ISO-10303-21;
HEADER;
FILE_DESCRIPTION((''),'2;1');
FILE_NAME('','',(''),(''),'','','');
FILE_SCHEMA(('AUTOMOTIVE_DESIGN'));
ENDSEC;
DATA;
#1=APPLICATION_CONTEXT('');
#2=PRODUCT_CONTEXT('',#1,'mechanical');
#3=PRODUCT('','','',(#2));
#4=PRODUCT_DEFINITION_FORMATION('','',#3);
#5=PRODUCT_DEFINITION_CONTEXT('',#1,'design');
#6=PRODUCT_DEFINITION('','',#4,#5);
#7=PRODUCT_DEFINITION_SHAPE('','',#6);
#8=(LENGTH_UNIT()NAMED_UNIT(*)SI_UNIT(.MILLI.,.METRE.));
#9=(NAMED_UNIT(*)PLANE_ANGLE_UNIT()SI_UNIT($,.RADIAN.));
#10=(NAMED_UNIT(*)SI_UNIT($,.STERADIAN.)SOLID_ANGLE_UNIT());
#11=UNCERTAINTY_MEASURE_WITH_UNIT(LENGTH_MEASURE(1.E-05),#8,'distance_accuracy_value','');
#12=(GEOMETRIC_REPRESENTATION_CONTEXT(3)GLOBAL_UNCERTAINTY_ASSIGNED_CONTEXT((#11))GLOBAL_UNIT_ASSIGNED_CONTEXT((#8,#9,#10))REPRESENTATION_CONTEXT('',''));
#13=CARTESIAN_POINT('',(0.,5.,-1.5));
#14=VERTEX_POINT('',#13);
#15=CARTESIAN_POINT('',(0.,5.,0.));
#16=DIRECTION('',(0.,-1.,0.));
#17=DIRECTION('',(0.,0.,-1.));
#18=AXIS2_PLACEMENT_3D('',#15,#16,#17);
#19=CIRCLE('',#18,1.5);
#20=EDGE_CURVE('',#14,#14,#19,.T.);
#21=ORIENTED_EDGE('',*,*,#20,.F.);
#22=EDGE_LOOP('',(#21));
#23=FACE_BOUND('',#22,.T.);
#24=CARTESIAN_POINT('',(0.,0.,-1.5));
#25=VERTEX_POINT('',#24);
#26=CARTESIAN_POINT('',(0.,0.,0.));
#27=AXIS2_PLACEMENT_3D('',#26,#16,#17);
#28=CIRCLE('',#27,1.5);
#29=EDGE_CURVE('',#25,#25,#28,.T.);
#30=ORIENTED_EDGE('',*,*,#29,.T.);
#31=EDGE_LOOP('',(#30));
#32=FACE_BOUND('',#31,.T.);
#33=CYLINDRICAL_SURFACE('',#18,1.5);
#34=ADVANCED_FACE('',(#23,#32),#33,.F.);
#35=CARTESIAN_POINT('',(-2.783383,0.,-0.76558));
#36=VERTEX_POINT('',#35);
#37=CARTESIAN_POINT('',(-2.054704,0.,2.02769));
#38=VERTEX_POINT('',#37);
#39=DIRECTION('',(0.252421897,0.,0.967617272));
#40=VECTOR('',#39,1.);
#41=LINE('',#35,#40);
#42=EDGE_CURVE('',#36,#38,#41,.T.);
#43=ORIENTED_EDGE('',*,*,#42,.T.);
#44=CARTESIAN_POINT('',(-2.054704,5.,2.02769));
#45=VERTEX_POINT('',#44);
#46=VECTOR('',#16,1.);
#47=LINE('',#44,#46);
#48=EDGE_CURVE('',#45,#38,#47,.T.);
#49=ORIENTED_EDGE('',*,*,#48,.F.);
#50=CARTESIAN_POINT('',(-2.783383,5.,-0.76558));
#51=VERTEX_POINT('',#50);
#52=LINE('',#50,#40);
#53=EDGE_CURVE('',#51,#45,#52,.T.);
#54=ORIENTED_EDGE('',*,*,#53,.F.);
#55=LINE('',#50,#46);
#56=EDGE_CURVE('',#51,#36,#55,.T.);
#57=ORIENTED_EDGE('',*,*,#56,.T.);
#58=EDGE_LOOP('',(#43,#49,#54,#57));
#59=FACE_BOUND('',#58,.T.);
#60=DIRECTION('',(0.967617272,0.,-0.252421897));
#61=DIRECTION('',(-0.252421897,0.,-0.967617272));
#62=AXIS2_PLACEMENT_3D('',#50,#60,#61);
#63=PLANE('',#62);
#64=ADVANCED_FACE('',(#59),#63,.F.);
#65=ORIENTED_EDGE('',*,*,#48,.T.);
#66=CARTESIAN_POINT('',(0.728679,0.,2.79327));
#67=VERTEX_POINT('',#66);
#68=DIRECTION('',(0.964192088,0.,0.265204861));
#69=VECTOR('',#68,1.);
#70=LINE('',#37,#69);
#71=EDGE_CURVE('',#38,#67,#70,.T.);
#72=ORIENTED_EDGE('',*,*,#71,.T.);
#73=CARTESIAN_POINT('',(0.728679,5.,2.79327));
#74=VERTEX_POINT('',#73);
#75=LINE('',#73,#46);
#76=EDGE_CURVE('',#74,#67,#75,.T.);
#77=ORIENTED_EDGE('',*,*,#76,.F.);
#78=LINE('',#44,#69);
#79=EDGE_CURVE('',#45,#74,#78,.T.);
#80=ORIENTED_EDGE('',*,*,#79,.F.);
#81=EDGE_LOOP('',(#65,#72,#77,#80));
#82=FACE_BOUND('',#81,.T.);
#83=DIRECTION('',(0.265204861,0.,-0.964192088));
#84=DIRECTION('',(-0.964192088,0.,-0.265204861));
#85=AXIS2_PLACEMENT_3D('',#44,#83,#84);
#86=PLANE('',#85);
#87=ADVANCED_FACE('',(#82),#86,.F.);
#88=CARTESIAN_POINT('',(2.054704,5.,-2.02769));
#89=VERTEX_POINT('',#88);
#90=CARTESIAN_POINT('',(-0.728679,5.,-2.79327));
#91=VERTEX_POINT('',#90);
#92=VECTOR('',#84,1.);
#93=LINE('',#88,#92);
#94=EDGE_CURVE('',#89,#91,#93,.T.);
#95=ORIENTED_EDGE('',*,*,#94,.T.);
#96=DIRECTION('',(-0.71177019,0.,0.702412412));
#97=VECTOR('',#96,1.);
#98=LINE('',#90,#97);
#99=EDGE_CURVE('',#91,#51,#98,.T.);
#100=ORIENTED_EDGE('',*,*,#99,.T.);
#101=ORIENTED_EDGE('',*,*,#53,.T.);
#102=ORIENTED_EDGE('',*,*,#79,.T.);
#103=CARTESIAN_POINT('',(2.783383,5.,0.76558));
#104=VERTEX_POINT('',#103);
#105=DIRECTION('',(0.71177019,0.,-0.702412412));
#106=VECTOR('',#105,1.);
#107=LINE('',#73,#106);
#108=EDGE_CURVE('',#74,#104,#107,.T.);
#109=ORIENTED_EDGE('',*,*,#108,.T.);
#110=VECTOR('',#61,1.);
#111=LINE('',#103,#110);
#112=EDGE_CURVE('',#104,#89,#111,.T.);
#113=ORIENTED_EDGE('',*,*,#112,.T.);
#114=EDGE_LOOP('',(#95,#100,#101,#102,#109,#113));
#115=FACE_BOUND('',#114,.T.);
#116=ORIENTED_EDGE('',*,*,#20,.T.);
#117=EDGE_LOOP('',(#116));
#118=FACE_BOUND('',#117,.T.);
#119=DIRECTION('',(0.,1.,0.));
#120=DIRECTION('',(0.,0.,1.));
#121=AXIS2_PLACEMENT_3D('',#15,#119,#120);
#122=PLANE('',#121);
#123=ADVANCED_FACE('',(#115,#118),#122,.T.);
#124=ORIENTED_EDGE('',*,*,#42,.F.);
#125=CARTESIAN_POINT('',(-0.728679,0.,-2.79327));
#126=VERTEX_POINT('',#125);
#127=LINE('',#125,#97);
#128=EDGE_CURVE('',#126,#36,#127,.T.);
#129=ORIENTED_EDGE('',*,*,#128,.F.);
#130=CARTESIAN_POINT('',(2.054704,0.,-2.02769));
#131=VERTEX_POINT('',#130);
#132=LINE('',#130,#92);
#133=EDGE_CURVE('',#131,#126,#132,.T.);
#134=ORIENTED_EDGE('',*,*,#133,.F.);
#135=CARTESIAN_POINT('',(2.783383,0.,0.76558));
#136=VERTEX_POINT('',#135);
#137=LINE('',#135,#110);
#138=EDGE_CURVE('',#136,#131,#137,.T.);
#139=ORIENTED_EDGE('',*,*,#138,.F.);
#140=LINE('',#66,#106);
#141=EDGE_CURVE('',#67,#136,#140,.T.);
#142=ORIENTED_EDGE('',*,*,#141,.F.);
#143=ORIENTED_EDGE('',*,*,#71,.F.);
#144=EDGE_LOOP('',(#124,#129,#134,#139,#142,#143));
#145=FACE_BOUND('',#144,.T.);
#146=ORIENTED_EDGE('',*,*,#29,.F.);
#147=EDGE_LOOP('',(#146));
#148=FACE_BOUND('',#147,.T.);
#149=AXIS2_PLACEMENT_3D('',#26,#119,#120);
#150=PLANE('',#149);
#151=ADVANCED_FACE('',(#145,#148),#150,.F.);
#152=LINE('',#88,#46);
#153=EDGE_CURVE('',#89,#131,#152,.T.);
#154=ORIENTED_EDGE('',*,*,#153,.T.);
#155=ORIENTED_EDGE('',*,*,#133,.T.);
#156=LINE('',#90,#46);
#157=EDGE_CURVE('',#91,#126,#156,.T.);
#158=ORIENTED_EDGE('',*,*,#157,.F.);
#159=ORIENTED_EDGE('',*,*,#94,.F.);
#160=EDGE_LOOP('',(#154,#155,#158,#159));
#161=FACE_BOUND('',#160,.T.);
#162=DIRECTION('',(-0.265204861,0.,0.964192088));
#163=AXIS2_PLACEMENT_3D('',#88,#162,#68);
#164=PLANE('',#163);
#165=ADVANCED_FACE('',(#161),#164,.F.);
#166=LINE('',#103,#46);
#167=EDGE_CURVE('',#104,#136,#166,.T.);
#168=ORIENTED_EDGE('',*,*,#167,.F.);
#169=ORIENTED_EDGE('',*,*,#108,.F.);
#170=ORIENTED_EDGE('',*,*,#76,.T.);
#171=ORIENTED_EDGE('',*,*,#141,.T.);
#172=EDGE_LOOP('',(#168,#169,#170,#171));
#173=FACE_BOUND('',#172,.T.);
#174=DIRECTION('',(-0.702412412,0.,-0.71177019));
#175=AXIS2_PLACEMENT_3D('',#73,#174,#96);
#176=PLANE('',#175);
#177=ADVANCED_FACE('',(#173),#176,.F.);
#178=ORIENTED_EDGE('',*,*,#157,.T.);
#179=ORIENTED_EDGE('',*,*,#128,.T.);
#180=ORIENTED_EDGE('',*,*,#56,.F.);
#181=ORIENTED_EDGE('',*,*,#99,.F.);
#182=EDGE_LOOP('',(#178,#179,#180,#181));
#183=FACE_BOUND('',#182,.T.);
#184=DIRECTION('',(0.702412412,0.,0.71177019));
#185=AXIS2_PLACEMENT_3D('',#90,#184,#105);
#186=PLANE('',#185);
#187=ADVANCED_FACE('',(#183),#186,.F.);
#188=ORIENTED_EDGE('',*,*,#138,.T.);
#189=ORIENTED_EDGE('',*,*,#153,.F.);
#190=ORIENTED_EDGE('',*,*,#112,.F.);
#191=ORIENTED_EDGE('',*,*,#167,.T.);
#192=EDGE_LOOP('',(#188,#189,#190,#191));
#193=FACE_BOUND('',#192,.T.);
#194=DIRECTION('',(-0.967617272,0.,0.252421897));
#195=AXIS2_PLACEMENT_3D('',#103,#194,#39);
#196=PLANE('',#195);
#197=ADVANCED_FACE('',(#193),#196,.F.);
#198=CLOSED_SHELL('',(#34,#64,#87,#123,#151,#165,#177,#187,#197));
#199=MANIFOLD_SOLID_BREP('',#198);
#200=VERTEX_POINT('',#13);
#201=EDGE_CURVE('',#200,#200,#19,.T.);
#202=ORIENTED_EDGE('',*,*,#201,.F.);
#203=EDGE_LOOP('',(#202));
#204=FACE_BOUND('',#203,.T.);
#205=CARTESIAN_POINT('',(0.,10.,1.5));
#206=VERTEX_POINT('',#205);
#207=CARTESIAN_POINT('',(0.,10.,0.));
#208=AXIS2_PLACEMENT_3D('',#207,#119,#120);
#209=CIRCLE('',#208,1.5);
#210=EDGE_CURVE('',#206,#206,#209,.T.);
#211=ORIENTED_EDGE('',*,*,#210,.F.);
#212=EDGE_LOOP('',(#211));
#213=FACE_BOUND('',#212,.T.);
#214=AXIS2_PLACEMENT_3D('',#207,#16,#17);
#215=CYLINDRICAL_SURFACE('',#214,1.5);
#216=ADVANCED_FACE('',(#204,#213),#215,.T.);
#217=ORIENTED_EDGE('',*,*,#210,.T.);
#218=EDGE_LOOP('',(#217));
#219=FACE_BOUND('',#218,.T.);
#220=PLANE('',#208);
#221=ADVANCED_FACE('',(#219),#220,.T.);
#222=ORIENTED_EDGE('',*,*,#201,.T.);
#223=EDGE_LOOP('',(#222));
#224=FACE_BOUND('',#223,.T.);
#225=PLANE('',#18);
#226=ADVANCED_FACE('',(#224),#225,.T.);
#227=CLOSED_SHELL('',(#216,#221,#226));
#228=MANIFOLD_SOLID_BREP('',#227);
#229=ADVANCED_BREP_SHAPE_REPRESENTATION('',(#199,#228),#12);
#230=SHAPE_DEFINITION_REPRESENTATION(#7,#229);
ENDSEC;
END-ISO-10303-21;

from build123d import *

# Parameters (mm, degrees)
EXTRUDE_1_DEPTH     = 5
SKETCH_2_R          = 1.5
EXTRUDE_2_DEPTH     = 5
SKETCH_3_R          = 1.5
CUT_EXTRUDE_1_DEPTH = 5


with BuildPart() as part:
    # 草图1 → 凸台-拉伸1 (new body)
    with BuildSketch(Plane(origin=(0, 0, 0), x_dir=(1, 0, 0), z_dir=(0, 1, 0))):
        Polygon((0.728679251, -2.793270463), (2.783382807, -0.765580489), (2.054703555, 2.027689975), (-0.728679251, 2.793270463), (-2.783382807, 0.765580489), (-2.054703555, -2.027689975), align=None)
    extrude(amount=EXTRUDE_1_DEPTH)

    # 草图2 → 凸台-拉伸2 (add)
    with BuildSketch(Plane(origin=(0, 5, 0), x_dir=(1, 0, 0), z_dir=(0, 1, 0))):
        with Locations(Location((0, 0, 0), (0, 0, 270))):
            Circle(SKETCH_2_R)
    extrude(amount=EXTRUDE_2_DEPTH)

    # 草图3 → 切除-拉伸1 (cut)
    with BuildSketch(Plane.XZ):
        with Locations(Location((0, 0, 0), (0, 0, 270))):
            Circle(SKETCH_3_R)
    extrude(amount=-CUT_EXTRUDE_1_DEPTH, mode=Mode.SUBTRACT)


with BuildPart() as cut_extrude_1_piece_1:
    # of the separate pieces the step leaves, piece 1, a body of its own (cut_extrude_1_pieces)
    add(part.part.solids().sort_by_distance((0.728679251, 0, 2.793270463))[0])


with BuildPart() as cut_extrude_1_piece_2:
    # of the separate pieces the step leaves, piece 2, a body of its own (cut_extrude_1_pieces)
    add(part.part.solids().sort_by_distance((0, 10, 1.5))[0])


solid = Compound([cut_extrude_1_piece_1.part, cut_extrude_1_piece_2.part])
